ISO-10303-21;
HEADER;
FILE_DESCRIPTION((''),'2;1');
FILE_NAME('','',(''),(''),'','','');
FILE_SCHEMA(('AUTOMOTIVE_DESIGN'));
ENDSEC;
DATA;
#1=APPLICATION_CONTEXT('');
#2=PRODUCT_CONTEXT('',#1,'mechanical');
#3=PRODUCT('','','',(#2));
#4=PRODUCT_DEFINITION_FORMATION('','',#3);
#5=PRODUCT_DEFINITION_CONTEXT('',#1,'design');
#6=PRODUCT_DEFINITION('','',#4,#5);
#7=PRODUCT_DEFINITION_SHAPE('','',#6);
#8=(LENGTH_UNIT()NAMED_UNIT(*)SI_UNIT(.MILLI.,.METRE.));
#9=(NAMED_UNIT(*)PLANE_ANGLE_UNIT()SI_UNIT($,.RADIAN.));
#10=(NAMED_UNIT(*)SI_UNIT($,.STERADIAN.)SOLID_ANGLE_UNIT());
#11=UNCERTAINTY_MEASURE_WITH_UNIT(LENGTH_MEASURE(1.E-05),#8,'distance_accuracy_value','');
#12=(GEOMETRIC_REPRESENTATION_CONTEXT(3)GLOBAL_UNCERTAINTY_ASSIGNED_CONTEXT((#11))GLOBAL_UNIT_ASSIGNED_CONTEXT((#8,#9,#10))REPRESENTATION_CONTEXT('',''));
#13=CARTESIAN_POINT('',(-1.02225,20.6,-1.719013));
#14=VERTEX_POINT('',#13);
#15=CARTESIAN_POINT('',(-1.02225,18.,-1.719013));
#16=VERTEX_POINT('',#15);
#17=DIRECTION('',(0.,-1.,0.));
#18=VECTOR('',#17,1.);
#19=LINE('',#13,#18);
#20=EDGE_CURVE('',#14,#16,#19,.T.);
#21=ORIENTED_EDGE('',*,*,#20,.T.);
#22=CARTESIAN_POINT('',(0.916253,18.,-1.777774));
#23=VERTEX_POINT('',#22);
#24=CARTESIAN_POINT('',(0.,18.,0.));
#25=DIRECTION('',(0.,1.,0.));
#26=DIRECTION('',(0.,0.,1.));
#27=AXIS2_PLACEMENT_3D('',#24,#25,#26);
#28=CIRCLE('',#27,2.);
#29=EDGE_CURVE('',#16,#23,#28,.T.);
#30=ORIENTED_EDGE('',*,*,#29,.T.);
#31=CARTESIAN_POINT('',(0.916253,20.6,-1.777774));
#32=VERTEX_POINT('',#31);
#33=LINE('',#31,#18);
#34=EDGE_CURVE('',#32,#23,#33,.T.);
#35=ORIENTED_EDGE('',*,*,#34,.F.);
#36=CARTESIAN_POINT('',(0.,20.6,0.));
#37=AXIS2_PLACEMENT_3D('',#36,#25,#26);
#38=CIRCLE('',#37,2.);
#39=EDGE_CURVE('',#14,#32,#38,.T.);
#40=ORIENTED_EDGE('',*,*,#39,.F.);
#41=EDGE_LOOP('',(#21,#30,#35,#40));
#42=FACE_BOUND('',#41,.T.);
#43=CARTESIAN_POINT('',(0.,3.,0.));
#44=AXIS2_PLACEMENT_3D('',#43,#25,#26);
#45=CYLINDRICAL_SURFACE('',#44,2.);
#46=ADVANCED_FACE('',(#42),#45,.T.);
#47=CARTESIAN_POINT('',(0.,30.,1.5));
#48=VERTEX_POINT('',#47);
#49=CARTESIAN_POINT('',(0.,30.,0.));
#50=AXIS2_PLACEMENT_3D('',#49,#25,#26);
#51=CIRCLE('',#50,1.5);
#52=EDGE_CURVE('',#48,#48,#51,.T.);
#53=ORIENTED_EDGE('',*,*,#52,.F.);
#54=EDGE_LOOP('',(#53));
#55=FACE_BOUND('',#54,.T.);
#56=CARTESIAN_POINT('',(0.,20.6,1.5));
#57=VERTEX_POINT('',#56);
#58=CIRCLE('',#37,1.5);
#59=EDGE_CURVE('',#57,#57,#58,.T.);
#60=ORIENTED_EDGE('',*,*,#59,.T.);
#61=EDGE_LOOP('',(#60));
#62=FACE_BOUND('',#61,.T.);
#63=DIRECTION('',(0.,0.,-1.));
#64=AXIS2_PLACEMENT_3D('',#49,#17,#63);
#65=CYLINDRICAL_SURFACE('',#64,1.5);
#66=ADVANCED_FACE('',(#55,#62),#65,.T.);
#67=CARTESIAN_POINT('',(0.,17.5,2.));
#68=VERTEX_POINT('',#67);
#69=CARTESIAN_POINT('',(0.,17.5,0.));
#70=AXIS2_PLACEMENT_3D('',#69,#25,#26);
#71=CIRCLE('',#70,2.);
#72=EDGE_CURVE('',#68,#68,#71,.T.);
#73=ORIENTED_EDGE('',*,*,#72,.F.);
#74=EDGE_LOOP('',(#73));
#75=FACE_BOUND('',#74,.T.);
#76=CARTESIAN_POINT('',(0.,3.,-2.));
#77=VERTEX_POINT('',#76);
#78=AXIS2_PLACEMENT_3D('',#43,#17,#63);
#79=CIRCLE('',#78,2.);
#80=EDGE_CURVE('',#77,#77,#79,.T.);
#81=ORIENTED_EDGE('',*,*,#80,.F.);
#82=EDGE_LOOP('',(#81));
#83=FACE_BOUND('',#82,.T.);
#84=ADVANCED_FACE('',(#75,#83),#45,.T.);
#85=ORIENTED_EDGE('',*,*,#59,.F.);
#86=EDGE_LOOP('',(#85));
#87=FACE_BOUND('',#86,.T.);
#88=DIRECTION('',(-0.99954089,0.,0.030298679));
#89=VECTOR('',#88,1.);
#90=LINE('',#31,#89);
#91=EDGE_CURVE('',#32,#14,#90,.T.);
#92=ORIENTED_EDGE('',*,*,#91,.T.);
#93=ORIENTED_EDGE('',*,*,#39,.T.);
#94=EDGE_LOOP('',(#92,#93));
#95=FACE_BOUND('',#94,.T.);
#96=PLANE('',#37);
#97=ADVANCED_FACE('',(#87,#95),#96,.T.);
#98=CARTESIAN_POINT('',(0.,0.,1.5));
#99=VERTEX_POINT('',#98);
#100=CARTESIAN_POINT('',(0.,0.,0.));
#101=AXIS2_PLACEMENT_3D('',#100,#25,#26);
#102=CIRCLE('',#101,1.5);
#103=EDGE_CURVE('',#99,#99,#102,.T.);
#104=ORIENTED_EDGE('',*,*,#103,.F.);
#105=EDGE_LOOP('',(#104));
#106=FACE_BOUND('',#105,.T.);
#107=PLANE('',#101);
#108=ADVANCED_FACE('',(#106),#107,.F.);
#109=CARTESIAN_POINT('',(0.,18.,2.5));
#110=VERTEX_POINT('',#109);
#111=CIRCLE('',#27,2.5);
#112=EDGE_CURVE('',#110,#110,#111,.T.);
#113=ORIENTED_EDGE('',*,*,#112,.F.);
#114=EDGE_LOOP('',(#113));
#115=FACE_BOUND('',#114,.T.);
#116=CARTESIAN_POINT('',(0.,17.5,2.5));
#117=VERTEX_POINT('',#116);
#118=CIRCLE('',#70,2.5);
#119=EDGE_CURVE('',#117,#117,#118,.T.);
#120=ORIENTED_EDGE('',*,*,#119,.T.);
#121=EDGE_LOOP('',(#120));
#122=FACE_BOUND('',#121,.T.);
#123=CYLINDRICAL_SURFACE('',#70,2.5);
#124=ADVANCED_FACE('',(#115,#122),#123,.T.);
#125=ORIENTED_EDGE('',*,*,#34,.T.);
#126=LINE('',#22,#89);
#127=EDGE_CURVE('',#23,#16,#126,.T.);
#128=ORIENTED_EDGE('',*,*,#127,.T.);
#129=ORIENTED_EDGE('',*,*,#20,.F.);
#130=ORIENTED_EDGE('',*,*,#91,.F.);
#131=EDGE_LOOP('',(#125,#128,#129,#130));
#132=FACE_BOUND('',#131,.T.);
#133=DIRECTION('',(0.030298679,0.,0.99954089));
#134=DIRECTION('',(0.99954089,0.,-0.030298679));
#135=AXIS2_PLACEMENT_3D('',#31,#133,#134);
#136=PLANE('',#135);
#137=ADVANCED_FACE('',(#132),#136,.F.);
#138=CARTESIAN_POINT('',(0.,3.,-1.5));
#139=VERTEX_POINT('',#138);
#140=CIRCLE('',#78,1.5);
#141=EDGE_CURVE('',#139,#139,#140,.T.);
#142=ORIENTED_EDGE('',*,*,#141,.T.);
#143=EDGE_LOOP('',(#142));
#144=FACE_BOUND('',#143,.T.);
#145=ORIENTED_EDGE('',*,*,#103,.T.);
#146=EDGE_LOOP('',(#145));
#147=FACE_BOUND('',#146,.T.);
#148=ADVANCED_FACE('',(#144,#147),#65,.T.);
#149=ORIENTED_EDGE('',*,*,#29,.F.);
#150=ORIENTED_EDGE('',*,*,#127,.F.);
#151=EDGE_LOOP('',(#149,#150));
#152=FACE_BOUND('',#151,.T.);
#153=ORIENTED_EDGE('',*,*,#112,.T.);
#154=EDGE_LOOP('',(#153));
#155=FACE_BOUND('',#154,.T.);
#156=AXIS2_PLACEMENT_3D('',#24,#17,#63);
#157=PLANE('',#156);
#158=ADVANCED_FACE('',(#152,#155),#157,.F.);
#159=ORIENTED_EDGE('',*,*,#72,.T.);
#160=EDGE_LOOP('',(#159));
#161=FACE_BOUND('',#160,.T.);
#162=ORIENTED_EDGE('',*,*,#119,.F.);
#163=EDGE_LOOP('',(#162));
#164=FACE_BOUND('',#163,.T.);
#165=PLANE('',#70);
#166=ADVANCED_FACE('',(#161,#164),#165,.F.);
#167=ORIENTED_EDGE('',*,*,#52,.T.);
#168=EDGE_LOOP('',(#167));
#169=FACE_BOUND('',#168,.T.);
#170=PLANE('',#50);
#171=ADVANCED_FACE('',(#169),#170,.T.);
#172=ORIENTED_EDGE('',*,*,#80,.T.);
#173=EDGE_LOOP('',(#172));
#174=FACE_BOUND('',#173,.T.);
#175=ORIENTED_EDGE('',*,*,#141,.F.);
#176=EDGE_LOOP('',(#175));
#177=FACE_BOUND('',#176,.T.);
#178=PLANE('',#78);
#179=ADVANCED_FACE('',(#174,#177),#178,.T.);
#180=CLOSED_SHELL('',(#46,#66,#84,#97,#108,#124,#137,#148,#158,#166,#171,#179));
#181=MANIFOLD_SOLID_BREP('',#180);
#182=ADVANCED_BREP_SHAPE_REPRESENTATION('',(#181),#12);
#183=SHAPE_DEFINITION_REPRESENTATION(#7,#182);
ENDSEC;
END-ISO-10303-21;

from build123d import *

# Parameters (mm, degrees)
SKETCH_1_R      = 1.5
EXTRUDE_1_DEPTH = 30
EXTRUDE_START   = 15
SKETCH_2_R      = 2
SKETCH_2_R_2    = 1.5
EXTRUDE_2_DEPTH = 15
SKETCH_3_R      = 1.5
EXTRUDE_3_DEPTH = 2.6
EXTRUDE_START_2 = -0.5
SKETCH_4_R      = 2.5
SKETCH_4_R_2    = 2
EXTRUDE_4_DEPTH = 0.5


with BuildPart() as part:
    # 草图1 → 凸台-拉伸1 (new body)
    with BuildSketch(Plane(origin=(0, 0, 0), x_dir=(1, 0, 0), z_dir=(0, 1, 0))):
        with Locations(Location((0, 0, 0), (0, 0, 270))):
            Circle(SKETCH_1_R)
    extrude(amount=EXTRUDE_1_DEPTH)

    # 草图2 → 凸台-拉伸2 (add)
    with BuildSketch(Plane(origin=(0, 18, 0), x_dir=(-1, 0, 0), z_dir=(0, -1, 0)).offset(EXTRUDE_START)):
        with Locations(Location((0, 0, 0), (0, 0, 90))):
            Circle(SKETCH_2_R)
        with Locations(Location((0, 0, 0), (0, 0, 90))):
            Circle(SKETCH_2_R_2, mode=Mode.SUBTRACT)
    extrude(amount=-EXTRUDE_2_DEPTH)

    # 草图3 → 凸台-拉伸3 (add)
    with BuildSketch(Plane(origin=(0, 18, 0), x_dir=(1, 0, 0), z_dir=(0, 1, 0))):
        with BuildLine():
            Line((0.91625301, 1.777774007), (-1.022249701, 1.719012958))
            ThreePointArc((-1.022249701, 1.719012958), (0.060597358, -1.999081779), (0.91625301, 1.777774007))
        make_face()
        with Locations(Location((0, 0, 0), (0, 0, 90))):
            Circle(SKETCH_3_R, mode=Mode.SUBTRACT)
    extrude(amount=EXTRUDE_3_DEPTH)

    # 草图4 → 凸台-拉伸4 (add)
    with BuildSketch(Plane(origin=(0, 18, 0), x_dir=(1, 0, 0), z_dir=(0, 1, 0)).offset(EXTRUDE_START_2)):
        with Locations(Location((0, 0, 0), (0, 0, 270))):
            Circle(SKETCH_4_R)
        with Locations(Location((0, 0, 0), (0, 0, 270))):
            Circle(SKETCH_4_R_2, mode=Mode.SUBTRACT)
    extrude(amount=EXTRUDE_4_DEPTH)


solid = part.part
